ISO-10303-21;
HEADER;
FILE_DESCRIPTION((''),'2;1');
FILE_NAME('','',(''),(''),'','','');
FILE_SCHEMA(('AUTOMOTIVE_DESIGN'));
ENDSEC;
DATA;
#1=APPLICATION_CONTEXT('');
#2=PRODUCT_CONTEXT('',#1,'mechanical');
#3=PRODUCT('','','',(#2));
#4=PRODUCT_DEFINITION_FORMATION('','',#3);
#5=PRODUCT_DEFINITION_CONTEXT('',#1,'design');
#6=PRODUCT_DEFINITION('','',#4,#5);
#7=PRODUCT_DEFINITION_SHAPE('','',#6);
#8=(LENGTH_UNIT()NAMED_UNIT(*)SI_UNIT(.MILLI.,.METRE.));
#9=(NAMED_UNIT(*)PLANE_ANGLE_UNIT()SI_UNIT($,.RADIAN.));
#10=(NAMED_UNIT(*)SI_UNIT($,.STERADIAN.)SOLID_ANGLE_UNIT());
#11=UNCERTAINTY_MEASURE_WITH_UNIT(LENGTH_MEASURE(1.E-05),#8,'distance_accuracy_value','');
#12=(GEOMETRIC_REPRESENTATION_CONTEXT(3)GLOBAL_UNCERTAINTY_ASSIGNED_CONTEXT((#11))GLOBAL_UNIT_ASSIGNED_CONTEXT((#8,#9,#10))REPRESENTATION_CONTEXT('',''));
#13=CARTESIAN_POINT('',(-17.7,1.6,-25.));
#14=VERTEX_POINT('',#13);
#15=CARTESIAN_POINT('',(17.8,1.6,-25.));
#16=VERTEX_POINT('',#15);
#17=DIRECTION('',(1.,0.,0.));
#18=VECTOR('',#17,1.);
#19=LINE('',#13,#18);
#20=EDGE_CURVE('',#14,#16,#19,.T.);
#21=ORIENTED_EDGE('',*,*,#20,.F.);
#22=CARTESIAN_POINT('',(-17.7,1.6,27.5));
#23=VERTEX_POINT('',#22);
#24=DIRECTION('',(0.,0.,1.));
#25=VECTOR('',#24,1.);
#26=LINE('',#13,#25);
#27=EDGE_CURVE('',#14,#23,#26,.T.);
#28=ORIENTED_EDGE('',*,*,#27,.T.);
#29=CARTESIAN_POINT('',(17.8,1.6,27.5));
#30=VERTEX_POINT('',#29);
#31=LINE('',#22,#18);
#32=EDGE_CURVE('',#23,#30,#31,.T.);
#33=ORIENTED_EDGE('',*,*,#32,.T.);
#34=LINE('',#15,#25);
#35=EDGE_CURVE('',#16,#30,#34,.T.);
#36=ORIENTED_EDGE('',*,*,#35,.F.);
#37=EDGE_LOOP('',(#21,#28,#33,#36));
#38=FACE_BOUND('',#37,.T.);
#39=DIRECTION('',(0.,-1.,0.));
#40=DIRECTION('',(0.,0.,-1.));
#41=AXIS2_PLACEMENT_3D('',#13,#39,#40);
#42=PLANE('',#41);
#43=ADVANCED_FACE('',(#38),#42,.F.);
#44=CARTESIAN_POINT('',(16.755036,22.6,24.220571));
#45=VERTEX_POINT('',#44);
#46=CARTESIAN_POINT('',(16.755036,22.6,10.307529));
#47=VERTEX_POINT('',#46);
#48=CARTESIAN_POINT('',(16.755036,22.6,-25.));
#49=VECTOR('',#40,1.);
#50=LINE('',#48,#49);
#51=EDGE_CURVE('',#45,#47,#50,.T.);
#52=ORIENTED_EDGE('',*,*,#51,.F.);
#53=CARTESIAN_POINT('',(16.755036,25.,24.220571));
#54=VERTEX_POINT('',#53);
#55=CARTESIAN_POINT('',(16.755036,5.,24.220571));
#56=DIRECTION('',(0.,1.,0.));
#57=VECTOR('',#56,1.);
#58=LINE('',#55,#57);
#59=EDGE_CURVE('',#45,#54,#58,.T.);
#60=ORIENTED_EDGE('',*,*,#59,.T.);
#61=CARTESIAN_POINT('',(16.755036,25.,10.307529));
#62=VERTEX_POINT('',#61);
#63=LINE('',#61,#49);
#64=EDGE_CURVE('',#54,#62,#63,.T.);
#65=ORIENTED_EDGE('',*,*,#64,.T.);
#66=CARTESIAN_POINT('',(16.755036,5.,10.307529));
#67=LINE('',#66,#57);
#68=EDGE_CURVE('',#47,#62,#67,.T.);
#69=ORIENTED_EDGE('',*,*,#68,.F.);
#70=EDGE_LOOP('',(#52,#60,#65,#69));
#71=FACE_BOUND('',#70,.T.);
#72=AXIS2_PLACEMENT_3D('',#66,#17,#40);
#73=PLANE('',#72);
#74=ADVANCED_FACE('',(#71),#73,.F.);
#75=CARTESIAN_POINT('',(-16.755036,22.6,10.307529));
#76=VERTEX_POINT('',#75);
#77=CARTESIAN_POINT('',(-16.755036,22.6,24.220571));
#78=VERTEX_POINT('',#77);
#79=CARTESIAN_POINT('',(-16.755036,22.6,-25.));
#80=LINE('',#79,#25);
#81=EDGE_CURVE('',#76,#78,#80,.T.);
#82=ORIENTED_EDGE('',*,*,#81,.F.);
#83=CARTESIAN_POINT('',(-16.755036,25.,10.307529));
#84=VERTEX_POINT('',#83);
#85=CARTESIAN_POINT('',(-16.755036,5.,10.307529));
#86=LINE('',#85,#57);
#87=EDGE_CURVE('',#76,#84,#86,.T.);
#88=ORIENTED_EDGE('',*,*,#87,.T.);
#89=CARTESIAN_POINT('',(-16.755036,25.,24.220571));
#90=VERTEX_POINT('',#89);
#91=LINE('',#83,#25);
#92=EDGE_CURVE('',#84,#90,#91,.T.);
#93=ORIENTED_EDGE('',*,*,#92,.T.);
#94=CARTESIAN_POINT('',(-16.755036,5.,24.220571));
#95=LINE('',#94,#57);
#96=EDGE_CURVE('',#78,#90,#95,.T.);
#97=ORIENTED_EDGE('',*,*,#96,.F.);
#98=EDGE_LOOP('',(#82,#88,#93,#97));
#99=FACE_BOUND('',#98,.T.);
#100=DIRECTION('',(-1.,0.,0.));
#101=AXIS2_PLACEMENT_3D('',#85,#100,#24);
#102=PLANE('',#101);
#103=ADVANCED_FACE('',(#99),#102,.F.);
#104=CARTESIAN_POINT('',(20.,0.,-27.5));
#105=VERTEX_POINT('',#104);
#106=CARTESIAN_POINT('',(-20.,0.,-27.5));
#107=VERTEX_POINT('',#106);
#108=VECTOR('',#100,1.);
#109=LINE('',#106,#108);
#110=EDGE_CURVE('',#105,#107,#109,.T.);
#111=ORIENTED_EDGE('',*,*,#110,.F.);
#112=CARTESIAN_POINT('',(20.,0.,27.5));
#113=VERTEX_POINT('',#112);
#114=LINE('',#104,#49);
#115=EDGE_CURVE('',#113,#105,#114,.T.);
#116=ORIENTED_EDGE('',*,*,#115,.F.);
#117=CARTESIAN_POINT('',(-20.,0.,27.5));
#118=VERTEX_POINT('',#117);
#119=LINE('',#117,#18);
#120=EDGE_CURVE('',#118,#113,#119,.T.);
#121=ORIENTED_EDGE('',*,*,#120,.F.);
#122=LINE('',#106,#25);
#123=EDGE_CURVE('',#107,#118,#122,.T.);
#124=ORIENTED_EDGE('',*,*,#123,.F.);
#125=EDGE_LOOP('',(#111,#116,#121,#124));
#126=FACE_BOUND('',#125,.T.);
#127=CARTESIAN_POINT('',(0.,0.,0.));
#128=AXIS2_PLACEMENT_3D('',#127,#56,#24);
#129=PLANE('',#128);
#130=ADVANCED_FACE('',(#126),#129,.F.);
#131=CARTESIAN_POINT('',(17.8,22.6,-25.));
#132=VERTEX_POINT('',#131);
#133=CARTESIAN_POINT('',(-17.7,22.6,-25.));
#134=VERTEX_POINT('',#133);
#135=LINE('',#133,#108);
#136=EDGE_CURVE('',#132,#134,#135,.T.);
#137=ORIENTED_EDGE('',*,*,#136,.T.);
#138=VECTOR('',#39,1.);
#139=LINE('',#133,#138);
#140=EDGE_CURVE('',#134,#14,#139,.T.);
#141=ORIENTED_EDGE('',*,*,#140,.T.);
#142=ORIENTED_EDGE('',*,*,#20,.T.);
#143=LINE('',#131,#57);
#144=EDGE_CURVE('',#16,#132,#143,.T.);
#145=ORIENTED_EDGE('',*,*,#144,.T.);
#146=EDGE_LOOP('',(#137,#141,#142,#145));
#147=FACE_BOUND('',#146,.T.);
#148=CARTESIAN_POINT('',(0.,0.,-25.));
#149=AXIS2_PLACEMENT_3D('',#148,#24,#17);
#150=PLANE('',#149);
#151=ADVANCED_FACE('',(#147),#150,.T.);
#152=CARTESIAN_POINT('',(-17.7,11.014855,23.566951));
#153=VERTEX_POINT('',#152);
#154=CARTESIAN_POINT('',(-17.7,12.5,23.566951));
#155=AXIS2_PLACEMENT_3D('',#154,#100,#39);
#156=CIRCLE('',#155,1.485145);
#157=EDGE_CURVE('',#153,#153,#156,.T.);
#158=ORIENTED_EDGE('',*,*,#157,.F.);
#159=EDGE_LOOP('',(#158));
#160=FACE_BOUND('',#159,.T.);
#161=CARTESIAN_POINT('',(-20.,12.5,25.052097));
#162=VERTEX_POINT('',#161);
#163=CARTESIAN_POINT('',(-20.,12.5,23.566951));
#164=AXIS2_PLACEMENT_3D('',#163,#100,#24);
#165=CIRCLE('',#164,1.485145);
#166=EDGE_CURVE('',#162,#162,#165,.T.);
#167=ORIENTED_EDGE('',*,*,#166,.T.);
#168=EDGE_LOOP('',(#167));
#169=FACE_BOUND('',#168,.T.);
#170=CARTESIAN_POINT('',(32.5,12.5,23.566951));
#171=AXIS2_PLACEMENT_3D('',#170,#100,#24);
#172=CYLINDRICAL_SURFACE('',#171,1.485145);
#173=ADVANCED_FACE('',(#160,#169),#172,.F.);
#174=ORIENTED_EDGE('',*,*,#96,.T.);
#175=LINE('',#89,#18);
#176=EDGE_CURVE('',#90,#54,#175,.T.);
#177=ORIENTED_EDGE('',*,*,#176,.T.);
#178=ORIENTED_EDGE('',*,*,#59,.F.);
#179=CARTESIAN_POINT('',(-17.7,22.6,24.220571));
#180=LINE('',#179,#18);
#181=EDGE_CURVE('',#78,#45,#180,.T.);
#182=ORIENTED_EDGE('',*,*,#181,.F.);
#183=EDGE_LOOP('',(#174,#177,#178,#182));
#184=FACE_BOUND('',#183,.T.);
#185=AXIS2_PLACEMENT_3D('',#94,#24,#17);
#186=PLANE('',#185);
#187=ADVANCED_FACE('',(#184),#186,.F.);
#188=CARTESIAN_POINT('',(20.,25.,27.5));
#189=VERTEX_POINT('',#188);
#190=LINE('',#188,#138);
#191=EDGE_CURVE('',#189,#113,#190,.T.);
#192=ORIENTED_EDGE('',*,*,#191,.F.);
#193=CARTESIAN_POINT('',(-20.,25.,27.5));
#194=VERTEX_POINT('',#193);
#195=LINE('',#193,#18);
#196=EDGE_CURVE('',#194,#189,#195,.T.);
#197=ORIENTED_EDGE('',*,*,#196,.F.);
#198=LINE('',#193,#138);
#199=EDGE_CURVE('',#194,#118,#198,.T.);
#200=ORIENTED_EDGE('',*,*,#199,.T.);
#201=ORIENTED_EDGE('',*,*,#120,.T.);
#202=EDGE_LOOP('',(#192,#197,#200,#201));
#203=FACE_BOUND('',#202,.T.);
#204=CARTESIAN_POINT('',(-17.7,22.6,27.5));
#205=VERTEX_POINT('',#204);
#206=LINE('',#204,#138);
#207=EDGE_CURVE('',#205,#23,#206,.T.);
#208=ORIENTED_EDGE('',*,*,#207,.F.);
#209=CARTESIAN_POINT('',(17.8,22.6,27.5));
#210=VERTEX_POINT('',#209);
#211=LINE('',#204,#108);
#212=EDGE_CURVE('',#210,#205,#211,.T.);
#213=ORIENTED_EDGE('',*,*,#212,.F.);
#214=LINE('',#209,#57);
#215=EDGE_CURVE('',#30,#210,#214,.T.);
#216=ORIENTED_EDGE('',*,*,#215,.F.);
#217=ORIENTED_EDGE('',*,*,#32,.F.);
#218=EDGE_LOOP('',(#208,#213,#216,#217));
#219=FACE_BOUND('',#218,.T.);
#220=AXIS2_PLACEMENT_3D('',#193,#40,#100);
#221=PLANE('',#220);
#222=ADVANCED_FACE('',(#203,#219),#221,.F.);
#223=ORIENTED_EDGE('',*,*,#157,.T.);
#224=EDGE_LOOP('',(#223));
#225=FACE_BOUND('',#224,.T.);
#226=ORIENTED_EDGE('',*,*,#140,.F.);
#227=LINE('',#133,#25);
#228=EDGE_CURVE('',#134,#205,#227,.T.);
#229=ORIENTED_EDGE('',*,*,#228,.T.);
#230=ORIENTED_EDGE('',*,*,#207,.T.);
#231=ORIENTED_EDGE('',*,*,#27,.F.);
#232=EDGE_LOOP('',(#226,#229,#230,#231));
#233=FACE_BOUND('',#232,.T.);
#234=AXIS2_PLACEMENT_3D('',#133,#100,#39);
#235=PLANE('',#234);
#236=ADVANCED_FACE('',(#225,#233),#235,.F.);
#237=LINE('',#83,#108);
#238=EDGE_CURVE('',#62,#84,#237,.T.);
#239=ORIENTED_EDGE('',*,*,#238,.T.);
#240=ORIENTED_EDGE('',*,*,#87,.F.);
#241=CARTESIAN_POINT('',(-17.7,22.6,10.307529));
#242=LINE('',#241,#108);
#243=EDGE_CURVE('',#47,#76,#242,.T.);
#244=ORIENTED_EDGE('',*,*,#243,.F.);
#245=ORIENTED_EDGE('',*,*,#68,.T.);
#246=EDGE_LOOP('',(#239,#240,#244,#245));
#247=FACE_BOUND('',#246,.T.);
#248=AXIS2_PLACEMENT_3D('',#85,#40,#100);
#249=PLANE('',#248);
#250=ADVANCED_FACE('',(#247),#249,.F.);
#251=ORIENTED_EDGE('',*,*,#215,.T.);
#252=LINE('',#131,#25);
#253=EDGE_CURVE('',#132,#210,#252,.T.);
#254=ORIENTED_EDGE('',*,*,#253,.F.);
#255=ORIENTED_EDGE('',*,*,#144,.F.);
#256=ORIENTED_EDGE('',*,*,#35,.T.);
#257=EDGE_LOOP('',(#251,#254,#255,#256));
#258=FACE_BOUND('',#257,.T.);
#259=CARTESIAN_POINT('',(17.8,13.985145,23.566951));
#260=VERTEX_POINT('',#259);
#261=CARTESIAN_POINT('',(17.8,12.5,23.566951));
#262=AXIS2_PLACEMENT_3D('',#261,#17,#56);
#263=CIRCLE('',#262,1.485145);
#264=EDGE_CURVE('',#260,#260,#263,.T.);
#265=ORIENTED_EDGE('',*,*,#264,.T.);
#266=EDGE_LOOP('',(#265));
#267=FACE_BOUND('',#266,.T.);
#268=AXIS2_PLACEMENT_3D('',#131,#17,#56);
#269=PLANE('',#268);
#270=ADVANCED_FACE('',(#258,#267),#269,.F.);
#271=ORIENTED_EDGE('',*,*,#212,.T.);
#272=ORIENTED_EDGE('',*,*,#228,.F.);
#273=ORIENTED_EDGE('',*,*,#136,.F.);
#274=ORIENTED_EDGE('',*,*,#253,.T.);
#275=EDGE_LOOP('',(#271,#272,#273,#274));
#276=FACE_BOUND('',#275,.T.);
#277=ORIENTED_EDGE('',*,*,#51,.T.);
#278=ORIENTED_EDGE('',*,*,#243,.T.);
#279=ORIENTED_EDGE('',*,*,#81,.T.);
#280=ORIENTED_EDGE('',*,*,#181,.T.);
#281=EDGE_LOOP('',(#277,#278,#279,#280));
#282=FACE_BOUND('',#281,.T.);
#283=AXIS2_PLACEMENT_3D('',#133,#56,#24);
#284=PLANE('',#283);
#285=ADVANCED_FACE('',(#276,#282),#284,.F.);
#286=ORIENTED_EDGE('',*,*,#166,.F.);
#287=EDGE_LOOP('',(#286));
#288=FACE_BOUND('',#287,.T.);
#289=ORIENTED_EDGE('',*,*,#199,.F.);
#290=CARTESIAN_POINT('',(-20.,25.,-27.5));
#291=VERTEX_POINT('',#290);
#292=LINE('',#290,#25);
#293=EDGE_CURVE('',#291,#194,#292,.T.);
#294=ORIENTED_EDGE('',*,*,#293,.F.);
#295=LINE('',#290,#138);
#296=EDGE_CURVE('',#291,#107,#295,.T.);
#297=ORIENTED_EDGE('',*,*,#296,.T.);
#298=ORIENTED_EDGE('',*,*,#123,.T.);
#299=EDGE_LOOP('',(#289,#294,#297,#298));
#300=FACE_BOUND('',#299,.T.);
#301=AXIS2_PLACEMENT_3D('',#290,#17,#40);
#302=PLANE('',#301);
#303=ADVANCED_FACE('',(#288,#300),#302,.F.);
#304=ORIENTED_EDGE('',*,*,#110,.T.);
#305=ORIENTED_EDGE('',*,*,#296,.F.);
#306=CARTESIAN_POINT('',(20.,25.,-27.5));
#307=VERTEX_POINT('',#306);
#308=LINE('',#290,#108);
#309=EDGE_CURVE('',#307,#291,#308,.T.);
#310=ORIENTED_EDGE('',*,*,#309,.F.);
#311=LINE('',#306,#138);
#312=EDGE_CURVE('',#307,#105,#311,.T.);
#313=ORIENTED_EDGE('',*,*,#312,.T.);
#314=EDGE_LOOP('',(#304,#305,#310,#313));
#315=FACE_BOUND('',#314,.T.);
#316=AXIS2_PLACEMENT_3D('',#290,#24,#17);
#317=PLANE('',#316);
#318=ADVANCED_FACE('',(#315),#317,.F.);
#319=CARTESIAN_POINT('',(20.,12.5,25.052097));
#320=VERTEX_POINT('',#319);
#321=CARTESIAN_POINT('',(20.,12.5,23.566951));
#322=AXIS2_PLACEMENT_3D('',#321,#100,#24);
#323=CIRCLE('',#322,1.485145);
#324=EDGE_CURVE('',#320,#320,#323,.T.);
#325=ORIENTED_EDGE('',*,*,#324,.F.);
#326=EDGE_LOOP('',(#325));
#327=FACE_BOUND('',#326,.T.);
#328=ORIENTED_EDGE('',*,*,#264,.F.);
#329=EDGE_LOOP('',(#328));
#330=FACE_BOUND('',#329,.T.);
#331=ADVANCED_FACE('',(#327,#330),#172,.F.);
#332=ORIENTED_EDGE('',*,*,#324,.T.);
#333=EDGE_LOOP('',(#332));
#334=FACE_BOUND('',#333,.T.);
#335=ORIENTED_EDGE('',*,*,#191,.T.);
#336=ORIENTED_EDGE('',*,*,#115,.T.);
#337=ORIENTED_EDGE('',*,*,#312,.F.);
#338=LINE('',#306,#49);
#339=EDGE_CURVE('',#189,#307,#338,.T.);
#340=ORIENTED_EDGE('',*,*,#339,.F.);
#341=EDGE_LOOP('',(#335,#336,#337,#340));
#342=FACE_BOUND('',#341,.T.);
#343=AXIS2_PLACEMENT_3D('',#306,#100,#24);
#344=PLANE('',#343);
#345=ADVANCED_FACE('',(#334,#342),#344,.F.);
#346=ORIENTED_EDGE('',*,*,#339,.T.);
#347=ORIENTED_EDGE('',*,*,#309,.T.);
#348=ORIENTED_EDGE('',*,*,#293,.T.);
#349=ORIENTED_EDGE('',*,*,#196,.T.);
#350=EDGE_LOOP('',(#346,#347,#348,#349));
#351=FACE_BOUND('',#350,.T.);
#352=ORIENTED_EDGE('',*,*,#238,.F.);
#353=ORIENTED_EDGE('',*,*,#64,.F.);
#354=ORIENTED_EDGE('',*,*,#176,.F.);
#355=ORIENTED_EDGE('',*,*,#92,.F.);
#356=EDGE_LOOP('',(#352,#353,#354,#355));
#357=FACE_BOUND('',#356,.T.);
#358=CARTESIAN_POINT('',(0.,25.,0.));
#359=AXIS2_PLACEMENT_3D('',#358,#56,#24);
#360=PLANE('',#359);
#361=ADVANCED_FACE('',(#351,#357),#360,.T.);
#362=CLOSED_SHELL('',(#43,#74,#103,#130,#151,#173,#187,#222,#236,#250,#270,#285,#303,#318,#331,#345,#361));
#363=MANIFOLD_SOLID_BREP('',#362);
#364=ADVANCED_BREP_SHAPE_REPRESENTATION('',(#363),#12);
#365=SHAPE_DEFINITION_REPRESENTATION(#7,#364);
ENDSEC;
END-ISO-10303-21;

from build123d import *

# Parameters (mm, degrees)
SKETCH1_W           = 40
SKETCH1_H           = 55
BOSS_EXTRUDE1_DEPTH = 25
SKETCH2_W           = 35.5
SKETCH2_H           = 21
CUT_EXTRUDE1_DEPTH  = 52.5
SKETCH3_R           = 1.485145447
CUT_EXTRUDE2_DEPTH  = 52.5
SKETCH5_W           = 33.510072246
SKETCH5_H           = 13.913042654
CUT_EXTRUDE3_DEPTH  = 20


with BuildPart() as part:
    # Sketch1 → Boss-Extrude1 (new body)
    with BuildSketch(Plane(origin=(0, 0, 0), x_dir=(1, 0, 0), z_dir=(0, 1, 0))):
        Rectangle(SKETCH1_W, SKETCH1_H)
    extrude(amount=BOSS_EXTRUDE1_DEPTH)

    # Sketch2 → Cut-Extrude1 (cut)
    with BuildSketch(Plane.XY.offset(27.5)):
        with Locations((0.05, 12.1)):
            Rectangle(SKETCH2_W, SKETCH2_H)
    extrude(amount=-CUT_EXTRUDE1_DEPTH, mode=Mode.SUBTRACT)

    # Sketch3 → Cut-Extrude2 (cut)
    with BuildSketch(Plane.ZY.offset(20)):
        with Locations((23.566951269, 12.5)):
            Circle(SKETCH3_R)
    extrude(amount=-CUT_EXTRUDE2_DEPTH, mode=Mode.SUBTRACT)

    # Sketch5 → Cut-Extrude3 (cut)
    with BuildSketch(Plane(origin=(0, 25, 0), x_dir=(1, 0, 0), z_dir=(0, 1, 0))):
        with Locations((0, -17.264049878)):
            Rectangle(SKETCH5_W, SKETCH5_H)
    extrude(amount=-CUT_EXTRUDE3_DEPTH, mode=Mode.SUBTRACT)


solid = part.part
